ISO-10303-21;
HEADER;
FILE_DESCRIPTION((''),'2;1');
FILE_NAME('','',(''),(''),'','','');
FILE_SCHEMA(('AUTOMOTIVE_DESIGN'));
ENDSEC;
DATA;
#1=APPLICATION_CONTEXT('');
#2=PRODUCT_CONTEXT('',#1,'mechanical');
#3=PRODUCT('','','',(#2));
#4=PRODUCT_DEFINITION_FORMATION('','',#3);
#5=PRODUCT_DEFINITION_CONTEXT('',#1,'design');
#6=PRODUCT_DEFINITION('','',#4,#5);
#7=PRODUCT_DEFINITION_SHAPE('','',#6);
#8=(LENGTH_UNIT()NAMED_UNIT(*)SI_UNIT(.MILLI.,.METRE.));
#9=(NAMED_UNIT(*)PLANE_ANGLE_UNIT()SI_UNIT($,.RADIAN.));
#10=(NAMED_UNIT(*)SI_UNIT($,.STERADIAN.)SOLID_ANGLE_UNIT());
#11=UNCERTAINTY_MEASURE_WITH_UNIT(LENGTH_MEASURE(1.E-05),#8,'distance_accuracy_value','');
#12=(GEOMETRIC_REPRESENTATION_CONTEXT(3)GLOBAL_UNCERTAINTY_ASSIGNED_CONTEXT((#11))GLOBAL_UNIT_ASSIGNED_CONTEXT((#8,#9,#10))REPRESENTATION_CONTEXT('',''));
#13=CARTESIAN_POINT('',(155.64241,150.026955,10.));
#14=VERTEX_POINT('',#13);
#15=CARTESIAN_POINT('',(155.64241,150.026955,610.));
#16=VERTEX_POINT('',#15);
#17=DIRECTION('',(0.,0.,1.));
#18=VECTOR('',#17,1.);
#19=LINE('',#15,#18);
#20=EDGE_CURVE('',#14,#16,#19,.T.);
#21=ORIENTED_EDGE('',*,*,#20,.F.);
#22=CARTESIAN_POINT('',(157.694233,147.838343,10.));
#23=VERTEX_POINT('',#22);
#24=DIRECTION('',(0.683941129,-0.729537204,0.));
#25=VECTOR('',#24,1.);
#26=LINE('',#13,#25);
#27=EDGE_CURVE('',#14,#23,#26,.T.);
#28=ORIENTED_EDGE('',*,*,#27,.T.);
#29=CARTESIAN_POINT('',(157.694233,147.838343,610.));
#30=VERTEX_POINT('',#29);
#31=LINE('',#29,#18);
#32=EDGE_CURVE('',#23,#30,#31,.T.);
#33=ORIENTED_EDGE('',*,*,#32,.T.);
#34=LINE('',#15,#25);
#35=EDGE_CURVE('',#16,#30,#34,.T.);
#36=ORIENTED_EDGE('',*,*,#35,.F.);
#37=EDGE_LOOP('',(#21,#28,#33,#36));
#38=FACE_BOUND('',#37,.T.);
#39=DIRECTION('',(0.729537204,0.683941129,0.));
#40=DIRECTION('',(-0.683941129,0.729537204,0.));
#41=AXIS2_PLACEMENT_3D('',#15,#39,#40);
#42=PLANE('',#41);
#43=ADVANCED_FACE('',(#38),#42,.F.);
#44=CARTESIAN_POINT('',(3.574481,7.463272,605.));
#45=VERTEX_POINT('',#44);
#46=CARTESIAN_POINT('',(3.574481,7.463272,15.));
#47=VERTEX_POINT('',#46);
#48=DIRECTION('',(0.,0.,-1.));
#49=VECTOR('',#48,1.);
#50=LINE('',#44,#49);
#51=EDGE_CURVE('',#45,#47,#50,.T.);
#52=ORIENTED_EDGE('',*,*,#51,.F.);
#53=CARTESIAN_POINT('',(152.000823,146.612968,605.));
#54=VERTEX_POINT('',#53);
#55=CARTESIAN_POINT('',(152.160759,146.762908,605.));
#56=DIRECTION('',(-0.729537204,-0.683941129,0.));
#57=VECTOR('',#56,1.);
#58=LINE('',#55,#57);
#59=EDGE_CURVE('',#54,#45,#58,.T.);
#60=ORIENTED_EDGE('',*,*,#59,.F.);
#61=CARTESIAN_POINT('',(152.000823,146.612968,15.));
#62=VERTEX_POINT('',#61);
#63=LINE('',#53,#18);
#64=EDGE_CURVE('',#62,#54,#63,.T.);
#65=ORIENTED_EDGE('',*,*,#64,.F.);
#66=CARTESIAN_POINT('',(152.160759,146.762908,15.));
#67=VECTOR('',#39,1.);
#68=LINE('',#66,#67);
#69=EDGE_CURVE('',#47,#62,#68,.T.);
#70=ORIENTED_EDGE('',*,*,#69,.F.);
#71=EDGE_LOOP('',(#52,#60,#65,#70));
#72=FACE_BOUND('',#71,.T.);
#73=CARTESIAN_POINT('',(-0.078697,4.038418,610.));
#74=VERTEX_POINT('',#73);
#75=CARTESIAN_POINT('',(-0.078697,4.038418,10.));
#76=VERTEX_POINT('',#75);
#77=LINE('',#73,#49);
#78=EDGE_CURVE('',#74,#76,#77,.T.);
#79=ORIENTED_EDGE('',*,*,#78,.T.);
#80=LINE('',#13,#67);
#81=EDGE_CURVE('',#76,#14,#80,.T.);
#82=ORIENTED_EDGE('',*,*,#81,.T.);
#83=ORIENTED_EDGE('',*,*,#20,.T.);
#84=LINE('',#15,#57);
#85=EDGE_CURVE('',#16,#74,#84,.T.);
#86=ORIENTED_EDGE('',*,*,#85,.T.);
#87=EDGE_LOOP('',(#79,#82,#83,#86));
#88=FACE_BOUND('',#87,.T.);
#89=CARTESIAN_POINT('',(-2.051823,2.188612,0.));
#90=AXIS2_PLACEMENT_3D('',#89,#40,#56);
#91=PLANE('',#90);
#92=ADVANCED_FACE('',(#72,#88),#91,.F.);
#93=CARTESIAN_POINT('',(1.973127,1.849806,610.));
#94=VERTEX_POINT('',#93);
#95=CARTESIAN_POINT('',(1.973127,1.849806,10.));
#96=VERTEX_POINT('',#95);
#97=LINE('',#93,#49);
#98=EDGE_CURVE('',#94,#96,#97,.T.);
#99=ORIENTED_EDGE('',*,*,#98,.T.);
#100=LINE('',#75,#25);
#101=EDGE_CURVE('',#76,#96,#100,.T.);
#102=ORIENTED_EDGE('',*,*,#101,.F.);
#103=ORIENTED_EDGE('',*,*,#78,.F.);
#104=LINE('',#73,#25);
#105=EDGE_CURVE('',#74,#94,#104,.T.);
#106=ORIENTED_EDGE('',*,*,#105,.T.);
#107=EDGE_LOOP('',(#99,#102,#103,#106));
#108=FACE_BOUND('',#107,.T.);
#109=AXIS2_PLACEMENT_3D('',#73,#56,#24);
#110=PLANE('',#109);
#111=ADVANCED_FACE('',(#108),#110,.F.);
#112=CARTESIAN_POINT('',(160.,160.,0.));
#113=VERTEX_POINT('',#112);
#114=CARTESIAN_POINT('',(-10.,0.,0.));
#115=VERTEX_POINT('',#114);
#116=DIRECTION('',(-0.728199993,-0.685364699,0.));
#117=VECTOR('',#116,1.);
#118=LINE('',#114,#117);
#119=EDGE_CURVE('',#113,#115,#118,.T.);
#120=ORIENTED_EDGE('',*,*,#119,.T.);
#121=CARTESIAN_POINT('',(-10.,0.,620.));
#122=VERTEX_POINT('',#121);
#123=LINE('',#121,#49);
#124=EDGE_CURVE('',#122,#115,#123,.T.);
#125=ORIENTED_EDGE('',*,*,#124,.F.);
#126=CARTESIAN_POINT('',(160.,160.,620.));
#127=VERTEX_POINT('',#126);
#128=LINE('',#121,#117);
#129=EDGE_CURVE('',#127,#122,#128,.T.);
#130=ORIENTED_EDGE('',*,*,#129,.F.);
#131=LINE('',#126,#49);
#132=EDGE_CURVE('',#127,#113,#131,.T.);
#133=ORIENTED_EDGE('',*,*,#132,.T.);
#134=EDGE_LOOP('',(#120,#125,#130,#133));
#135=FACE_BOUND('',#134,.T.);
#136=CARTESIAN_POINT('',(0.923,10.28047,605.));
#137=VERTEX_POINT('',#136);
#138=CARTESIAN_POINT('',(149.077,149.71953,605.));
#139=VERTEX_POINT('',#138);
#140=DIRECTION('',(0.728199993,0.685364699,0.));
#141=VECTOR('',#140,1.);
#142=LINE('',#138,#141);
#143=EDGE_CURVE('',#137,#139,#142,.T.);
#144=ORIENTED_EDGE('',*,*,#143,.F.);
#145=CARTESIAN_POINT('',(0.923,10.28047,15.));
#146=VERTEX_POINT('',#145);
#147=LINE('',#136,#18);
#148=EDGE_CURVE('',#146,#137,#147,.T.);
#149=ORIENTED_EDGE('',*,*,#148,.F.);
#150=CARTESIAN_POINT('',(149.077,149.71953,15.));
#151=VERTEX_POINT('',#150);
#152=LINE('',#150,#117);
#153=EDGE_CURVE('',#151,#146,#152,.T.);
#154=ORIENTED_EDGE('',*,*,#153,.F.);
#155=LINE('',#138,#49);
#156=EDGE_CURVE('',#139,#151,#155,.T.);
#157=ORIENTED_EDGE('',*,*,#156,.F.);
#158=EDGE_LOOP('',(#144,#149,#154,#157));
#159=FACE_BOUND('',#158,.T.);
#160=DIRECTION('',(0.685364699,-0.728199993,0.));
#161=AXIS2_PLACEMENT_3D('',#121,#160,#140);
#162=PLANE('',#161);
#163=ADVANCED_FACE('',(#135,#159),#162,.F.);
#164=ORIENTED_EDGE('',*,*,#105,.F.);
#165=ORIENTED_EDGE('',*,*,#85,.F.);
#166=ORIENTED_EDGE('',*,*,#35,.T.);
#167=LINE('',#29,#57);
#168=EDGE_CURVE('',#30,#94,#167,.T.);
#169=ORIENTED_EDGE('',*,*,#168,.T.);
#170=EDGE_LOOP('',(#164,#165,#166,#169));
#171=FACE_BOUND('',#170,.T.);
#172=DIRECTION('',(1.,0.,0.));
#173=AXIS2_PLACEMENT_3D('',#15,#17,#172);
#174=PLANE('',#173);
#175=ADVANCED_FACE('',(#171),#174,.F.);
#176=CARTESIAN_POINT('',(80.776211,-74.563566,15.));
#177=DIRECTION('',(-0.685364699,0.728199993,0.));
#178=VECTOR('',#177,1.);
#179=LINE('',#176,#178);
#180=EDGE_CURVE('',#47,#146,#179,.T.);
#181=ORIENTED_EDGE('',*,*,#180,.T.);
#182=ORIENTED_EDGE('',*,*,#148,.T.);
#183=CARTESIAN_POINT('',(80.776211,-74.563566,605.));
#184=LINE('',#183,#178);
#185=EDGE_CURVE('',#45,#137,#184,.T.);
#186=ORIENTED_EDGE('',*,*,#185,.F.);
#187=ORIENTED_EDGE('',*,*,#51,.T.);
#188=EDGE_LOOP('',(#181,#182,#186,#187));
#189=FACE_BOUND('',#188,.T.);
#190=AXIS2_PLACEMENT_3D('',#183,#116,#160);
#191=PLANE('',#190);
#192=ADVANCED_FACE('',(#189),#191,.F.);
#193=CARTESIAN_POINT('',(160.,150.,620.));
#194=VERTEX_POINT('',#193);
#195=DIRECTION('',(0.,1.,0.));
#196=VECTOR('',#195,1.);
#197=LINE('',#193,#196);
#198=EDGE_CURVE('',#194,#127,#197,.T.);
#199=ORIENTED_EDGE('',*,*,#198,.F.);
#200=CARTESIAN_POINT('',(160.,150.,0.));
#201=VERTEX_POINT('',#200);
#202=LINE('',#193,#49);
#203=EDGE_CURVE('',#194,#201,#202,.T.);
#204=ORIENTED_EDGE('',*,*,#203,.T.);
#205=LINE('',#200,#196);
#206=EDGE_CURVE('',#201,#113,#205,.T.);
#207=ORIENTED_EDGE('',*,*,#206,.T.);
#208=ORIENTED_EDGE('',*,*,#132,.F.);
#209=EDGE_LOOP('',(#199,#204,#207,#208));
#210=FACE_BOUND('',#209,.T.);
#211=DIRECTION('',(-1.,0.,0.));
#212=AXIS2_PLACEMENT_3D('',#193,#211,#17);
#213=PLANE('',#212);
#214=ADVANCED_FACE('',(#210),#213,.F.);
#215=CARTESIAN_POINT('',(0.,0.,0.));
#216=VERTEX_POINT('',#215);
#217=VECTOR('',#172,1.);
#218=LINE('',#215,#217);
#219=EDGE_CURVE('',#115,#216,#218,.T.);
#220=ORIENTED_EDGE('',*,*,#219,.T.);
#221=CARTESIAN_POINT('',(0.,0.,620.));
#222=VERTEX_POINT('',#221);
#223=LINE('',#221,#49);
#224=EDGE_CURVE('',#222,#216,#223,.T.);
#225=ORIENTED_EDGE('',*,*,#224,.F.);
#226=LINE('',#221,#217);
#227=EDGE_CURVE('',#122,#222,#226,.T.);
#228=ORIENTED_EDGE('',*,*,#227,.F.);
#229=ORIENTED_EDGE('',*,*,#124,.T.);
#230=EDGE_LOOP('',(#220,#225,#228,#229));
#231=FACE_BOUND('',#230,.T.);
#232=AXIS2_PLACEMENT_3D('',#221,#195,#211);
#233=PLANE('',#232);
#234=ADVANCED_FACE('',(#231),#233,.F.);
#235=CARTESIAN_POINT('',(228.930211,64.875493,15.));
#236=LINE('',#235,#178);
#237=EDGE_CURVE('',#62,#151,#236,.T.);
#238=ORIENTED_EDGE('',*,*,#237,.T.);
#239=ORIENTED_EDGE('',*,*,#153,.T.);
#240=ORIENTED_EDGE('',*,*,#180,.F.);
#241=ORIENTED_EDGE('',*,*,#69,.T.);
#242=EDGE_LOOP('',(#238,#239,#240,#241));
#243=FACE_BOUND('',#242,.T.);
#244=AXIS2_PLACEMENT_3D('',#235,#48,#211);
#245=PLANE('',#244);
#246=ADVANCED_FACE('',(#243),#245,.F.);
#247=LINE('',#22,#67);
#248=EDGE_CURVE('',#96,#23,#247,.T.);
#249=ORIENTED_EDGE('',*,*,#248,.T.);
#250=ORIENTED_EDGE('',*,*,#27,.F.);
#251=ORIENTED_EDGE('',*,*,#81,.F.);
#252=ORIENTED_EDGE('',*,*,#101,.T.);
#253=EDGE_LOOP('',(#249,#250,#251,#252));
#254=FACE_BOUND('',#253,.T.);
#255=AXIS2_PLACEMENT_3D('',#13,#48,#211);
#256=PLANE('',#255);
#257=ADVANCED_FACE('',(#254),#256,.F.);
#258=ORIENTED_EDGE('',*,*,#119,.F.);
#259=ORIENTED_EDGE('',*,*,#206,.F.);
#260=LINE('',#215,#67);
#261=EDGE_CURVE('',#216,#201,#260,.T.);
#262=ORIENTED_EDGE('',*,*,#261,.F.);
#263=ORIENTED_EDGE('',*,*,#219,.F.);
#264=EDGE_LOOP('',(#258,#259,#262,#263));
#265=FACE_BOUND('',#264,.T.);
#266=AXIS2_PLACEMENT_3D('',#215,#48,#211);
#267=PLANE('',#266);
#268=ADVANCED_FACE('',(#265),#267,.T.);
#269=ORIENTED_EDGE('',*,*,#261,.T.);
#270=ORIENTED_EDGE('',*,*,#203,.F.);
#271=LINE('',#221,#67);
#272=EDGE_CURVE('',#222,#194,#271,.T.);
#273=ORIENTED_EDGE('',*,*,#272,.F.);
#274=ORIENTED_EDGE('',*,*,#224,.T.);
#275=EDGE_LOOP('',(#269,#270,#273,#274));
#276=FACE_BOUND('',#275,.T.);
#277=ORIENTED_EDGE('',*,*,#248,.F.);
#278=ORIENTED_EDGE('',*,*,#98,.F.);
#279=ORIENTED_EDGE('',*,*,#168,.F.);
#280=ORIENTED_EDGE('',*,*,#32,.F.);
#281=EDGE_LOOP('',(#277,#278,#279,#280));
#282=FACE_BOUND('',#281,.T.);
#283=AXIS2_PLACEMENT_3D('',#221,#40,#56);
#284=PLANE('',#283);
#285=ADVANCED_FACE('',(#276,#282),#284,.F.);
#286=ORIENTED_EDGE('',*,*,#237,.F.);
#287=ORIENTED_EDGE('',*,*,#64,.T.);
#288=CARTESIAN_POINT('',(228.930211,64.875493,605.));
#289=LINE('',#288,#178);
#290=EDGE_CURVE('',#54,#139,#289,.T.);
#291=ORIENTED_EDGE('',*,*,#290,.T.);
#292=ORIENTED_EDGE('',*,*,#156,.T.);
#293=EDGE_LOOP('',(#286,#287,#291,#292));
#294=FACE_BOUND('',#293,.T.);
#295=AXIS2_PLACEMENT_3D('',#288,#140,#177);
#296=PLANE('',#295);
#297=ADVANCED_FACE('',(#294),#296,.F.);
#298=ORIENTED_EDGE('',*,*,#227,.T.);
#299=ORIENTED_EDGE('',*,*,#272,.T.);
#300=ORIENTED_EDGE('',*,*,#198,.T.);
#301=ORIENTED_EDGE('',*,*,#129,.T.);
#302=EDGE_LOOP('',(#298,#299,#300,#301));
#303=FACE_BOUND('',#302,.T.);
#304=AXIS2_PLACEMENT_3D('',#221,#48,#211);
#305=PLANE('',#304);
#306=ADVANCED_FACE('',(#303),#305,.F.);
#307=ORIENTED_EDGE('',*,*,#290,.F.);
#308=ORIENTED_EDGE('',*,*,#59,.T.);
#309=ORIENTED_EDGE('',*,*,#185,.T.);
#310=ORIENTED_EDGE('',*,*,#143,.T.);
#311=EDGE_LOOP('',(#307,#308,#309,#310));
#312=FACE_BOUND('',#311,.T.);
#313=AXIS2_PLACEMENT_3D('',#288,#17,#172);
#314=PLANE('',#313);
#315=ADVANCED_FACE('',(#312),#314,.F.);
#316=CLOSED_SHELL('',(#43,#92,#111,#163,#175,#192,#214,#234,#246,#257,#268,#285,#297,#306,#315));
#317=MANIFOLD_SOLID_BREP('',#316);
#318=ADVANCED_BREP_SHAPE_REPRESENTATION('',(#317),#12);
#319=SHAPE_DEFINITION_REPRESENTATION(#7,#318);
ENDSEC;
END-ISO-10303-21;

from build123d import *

# Parameters (mm, degrees)
SALIENTE_EXTRUIR1_DEPTH = 620
CROQUIS2_W              = 203.452350599
CROQUIS2_H              = 590
CORTAR_EXTRUIR1_DEPTH   = 117.511998831
CROQUIS3_W              = 213.451905324
CROQUIS3_H              = 600
CORTAR_EXTRUIR2_DEPTH   = 3


with BuildPart() as part:
    # Croquis1 → Saliente-Extruir1 (new body)
    with BuildSketch(Plane.XY):
        Polygon((0, 0), (160, 150), (160, 160), (-10, 0), align=None)
    extrude(amount=SALIENTE_EXTRUIR1_DEPTH)

    # Croquis2 → Cortar-Extruir1 (cut, through all)
    with BuildSketch(Plane(origin=(-4.697247706, 4.990825688, 0), x_dir=(0.728199993, 0.685364699, 0), z_dir=(-0.685364699, 0.728199993, 0))):
        with Locations((109.444175373, -310)):
            Rectangle(CROQUIS2_W, CROQUIS2_H)
    extrude(amount=-CORTAR_EXTRUIR1_DEPTH, mode=Mode.SUBTRACT)

    # Croquis3 → Cortar-Extruir2 (cut)
    with BuildSketch(Plane(origin=(0, 0, 0), x_dir=(0.729537204, 0.683941129, 0), z_dir=(0.683941129, -0.729537204, 0))):
        with Locations((109.430580621, 310)):
            Rectangle(CROQUIS3_W, CROQUIS3_H)
    extrude(amount=-CORTAR_EXTRUIR2_DEPTH, mode=Mode.SUBTRACT)


solid = part.part
